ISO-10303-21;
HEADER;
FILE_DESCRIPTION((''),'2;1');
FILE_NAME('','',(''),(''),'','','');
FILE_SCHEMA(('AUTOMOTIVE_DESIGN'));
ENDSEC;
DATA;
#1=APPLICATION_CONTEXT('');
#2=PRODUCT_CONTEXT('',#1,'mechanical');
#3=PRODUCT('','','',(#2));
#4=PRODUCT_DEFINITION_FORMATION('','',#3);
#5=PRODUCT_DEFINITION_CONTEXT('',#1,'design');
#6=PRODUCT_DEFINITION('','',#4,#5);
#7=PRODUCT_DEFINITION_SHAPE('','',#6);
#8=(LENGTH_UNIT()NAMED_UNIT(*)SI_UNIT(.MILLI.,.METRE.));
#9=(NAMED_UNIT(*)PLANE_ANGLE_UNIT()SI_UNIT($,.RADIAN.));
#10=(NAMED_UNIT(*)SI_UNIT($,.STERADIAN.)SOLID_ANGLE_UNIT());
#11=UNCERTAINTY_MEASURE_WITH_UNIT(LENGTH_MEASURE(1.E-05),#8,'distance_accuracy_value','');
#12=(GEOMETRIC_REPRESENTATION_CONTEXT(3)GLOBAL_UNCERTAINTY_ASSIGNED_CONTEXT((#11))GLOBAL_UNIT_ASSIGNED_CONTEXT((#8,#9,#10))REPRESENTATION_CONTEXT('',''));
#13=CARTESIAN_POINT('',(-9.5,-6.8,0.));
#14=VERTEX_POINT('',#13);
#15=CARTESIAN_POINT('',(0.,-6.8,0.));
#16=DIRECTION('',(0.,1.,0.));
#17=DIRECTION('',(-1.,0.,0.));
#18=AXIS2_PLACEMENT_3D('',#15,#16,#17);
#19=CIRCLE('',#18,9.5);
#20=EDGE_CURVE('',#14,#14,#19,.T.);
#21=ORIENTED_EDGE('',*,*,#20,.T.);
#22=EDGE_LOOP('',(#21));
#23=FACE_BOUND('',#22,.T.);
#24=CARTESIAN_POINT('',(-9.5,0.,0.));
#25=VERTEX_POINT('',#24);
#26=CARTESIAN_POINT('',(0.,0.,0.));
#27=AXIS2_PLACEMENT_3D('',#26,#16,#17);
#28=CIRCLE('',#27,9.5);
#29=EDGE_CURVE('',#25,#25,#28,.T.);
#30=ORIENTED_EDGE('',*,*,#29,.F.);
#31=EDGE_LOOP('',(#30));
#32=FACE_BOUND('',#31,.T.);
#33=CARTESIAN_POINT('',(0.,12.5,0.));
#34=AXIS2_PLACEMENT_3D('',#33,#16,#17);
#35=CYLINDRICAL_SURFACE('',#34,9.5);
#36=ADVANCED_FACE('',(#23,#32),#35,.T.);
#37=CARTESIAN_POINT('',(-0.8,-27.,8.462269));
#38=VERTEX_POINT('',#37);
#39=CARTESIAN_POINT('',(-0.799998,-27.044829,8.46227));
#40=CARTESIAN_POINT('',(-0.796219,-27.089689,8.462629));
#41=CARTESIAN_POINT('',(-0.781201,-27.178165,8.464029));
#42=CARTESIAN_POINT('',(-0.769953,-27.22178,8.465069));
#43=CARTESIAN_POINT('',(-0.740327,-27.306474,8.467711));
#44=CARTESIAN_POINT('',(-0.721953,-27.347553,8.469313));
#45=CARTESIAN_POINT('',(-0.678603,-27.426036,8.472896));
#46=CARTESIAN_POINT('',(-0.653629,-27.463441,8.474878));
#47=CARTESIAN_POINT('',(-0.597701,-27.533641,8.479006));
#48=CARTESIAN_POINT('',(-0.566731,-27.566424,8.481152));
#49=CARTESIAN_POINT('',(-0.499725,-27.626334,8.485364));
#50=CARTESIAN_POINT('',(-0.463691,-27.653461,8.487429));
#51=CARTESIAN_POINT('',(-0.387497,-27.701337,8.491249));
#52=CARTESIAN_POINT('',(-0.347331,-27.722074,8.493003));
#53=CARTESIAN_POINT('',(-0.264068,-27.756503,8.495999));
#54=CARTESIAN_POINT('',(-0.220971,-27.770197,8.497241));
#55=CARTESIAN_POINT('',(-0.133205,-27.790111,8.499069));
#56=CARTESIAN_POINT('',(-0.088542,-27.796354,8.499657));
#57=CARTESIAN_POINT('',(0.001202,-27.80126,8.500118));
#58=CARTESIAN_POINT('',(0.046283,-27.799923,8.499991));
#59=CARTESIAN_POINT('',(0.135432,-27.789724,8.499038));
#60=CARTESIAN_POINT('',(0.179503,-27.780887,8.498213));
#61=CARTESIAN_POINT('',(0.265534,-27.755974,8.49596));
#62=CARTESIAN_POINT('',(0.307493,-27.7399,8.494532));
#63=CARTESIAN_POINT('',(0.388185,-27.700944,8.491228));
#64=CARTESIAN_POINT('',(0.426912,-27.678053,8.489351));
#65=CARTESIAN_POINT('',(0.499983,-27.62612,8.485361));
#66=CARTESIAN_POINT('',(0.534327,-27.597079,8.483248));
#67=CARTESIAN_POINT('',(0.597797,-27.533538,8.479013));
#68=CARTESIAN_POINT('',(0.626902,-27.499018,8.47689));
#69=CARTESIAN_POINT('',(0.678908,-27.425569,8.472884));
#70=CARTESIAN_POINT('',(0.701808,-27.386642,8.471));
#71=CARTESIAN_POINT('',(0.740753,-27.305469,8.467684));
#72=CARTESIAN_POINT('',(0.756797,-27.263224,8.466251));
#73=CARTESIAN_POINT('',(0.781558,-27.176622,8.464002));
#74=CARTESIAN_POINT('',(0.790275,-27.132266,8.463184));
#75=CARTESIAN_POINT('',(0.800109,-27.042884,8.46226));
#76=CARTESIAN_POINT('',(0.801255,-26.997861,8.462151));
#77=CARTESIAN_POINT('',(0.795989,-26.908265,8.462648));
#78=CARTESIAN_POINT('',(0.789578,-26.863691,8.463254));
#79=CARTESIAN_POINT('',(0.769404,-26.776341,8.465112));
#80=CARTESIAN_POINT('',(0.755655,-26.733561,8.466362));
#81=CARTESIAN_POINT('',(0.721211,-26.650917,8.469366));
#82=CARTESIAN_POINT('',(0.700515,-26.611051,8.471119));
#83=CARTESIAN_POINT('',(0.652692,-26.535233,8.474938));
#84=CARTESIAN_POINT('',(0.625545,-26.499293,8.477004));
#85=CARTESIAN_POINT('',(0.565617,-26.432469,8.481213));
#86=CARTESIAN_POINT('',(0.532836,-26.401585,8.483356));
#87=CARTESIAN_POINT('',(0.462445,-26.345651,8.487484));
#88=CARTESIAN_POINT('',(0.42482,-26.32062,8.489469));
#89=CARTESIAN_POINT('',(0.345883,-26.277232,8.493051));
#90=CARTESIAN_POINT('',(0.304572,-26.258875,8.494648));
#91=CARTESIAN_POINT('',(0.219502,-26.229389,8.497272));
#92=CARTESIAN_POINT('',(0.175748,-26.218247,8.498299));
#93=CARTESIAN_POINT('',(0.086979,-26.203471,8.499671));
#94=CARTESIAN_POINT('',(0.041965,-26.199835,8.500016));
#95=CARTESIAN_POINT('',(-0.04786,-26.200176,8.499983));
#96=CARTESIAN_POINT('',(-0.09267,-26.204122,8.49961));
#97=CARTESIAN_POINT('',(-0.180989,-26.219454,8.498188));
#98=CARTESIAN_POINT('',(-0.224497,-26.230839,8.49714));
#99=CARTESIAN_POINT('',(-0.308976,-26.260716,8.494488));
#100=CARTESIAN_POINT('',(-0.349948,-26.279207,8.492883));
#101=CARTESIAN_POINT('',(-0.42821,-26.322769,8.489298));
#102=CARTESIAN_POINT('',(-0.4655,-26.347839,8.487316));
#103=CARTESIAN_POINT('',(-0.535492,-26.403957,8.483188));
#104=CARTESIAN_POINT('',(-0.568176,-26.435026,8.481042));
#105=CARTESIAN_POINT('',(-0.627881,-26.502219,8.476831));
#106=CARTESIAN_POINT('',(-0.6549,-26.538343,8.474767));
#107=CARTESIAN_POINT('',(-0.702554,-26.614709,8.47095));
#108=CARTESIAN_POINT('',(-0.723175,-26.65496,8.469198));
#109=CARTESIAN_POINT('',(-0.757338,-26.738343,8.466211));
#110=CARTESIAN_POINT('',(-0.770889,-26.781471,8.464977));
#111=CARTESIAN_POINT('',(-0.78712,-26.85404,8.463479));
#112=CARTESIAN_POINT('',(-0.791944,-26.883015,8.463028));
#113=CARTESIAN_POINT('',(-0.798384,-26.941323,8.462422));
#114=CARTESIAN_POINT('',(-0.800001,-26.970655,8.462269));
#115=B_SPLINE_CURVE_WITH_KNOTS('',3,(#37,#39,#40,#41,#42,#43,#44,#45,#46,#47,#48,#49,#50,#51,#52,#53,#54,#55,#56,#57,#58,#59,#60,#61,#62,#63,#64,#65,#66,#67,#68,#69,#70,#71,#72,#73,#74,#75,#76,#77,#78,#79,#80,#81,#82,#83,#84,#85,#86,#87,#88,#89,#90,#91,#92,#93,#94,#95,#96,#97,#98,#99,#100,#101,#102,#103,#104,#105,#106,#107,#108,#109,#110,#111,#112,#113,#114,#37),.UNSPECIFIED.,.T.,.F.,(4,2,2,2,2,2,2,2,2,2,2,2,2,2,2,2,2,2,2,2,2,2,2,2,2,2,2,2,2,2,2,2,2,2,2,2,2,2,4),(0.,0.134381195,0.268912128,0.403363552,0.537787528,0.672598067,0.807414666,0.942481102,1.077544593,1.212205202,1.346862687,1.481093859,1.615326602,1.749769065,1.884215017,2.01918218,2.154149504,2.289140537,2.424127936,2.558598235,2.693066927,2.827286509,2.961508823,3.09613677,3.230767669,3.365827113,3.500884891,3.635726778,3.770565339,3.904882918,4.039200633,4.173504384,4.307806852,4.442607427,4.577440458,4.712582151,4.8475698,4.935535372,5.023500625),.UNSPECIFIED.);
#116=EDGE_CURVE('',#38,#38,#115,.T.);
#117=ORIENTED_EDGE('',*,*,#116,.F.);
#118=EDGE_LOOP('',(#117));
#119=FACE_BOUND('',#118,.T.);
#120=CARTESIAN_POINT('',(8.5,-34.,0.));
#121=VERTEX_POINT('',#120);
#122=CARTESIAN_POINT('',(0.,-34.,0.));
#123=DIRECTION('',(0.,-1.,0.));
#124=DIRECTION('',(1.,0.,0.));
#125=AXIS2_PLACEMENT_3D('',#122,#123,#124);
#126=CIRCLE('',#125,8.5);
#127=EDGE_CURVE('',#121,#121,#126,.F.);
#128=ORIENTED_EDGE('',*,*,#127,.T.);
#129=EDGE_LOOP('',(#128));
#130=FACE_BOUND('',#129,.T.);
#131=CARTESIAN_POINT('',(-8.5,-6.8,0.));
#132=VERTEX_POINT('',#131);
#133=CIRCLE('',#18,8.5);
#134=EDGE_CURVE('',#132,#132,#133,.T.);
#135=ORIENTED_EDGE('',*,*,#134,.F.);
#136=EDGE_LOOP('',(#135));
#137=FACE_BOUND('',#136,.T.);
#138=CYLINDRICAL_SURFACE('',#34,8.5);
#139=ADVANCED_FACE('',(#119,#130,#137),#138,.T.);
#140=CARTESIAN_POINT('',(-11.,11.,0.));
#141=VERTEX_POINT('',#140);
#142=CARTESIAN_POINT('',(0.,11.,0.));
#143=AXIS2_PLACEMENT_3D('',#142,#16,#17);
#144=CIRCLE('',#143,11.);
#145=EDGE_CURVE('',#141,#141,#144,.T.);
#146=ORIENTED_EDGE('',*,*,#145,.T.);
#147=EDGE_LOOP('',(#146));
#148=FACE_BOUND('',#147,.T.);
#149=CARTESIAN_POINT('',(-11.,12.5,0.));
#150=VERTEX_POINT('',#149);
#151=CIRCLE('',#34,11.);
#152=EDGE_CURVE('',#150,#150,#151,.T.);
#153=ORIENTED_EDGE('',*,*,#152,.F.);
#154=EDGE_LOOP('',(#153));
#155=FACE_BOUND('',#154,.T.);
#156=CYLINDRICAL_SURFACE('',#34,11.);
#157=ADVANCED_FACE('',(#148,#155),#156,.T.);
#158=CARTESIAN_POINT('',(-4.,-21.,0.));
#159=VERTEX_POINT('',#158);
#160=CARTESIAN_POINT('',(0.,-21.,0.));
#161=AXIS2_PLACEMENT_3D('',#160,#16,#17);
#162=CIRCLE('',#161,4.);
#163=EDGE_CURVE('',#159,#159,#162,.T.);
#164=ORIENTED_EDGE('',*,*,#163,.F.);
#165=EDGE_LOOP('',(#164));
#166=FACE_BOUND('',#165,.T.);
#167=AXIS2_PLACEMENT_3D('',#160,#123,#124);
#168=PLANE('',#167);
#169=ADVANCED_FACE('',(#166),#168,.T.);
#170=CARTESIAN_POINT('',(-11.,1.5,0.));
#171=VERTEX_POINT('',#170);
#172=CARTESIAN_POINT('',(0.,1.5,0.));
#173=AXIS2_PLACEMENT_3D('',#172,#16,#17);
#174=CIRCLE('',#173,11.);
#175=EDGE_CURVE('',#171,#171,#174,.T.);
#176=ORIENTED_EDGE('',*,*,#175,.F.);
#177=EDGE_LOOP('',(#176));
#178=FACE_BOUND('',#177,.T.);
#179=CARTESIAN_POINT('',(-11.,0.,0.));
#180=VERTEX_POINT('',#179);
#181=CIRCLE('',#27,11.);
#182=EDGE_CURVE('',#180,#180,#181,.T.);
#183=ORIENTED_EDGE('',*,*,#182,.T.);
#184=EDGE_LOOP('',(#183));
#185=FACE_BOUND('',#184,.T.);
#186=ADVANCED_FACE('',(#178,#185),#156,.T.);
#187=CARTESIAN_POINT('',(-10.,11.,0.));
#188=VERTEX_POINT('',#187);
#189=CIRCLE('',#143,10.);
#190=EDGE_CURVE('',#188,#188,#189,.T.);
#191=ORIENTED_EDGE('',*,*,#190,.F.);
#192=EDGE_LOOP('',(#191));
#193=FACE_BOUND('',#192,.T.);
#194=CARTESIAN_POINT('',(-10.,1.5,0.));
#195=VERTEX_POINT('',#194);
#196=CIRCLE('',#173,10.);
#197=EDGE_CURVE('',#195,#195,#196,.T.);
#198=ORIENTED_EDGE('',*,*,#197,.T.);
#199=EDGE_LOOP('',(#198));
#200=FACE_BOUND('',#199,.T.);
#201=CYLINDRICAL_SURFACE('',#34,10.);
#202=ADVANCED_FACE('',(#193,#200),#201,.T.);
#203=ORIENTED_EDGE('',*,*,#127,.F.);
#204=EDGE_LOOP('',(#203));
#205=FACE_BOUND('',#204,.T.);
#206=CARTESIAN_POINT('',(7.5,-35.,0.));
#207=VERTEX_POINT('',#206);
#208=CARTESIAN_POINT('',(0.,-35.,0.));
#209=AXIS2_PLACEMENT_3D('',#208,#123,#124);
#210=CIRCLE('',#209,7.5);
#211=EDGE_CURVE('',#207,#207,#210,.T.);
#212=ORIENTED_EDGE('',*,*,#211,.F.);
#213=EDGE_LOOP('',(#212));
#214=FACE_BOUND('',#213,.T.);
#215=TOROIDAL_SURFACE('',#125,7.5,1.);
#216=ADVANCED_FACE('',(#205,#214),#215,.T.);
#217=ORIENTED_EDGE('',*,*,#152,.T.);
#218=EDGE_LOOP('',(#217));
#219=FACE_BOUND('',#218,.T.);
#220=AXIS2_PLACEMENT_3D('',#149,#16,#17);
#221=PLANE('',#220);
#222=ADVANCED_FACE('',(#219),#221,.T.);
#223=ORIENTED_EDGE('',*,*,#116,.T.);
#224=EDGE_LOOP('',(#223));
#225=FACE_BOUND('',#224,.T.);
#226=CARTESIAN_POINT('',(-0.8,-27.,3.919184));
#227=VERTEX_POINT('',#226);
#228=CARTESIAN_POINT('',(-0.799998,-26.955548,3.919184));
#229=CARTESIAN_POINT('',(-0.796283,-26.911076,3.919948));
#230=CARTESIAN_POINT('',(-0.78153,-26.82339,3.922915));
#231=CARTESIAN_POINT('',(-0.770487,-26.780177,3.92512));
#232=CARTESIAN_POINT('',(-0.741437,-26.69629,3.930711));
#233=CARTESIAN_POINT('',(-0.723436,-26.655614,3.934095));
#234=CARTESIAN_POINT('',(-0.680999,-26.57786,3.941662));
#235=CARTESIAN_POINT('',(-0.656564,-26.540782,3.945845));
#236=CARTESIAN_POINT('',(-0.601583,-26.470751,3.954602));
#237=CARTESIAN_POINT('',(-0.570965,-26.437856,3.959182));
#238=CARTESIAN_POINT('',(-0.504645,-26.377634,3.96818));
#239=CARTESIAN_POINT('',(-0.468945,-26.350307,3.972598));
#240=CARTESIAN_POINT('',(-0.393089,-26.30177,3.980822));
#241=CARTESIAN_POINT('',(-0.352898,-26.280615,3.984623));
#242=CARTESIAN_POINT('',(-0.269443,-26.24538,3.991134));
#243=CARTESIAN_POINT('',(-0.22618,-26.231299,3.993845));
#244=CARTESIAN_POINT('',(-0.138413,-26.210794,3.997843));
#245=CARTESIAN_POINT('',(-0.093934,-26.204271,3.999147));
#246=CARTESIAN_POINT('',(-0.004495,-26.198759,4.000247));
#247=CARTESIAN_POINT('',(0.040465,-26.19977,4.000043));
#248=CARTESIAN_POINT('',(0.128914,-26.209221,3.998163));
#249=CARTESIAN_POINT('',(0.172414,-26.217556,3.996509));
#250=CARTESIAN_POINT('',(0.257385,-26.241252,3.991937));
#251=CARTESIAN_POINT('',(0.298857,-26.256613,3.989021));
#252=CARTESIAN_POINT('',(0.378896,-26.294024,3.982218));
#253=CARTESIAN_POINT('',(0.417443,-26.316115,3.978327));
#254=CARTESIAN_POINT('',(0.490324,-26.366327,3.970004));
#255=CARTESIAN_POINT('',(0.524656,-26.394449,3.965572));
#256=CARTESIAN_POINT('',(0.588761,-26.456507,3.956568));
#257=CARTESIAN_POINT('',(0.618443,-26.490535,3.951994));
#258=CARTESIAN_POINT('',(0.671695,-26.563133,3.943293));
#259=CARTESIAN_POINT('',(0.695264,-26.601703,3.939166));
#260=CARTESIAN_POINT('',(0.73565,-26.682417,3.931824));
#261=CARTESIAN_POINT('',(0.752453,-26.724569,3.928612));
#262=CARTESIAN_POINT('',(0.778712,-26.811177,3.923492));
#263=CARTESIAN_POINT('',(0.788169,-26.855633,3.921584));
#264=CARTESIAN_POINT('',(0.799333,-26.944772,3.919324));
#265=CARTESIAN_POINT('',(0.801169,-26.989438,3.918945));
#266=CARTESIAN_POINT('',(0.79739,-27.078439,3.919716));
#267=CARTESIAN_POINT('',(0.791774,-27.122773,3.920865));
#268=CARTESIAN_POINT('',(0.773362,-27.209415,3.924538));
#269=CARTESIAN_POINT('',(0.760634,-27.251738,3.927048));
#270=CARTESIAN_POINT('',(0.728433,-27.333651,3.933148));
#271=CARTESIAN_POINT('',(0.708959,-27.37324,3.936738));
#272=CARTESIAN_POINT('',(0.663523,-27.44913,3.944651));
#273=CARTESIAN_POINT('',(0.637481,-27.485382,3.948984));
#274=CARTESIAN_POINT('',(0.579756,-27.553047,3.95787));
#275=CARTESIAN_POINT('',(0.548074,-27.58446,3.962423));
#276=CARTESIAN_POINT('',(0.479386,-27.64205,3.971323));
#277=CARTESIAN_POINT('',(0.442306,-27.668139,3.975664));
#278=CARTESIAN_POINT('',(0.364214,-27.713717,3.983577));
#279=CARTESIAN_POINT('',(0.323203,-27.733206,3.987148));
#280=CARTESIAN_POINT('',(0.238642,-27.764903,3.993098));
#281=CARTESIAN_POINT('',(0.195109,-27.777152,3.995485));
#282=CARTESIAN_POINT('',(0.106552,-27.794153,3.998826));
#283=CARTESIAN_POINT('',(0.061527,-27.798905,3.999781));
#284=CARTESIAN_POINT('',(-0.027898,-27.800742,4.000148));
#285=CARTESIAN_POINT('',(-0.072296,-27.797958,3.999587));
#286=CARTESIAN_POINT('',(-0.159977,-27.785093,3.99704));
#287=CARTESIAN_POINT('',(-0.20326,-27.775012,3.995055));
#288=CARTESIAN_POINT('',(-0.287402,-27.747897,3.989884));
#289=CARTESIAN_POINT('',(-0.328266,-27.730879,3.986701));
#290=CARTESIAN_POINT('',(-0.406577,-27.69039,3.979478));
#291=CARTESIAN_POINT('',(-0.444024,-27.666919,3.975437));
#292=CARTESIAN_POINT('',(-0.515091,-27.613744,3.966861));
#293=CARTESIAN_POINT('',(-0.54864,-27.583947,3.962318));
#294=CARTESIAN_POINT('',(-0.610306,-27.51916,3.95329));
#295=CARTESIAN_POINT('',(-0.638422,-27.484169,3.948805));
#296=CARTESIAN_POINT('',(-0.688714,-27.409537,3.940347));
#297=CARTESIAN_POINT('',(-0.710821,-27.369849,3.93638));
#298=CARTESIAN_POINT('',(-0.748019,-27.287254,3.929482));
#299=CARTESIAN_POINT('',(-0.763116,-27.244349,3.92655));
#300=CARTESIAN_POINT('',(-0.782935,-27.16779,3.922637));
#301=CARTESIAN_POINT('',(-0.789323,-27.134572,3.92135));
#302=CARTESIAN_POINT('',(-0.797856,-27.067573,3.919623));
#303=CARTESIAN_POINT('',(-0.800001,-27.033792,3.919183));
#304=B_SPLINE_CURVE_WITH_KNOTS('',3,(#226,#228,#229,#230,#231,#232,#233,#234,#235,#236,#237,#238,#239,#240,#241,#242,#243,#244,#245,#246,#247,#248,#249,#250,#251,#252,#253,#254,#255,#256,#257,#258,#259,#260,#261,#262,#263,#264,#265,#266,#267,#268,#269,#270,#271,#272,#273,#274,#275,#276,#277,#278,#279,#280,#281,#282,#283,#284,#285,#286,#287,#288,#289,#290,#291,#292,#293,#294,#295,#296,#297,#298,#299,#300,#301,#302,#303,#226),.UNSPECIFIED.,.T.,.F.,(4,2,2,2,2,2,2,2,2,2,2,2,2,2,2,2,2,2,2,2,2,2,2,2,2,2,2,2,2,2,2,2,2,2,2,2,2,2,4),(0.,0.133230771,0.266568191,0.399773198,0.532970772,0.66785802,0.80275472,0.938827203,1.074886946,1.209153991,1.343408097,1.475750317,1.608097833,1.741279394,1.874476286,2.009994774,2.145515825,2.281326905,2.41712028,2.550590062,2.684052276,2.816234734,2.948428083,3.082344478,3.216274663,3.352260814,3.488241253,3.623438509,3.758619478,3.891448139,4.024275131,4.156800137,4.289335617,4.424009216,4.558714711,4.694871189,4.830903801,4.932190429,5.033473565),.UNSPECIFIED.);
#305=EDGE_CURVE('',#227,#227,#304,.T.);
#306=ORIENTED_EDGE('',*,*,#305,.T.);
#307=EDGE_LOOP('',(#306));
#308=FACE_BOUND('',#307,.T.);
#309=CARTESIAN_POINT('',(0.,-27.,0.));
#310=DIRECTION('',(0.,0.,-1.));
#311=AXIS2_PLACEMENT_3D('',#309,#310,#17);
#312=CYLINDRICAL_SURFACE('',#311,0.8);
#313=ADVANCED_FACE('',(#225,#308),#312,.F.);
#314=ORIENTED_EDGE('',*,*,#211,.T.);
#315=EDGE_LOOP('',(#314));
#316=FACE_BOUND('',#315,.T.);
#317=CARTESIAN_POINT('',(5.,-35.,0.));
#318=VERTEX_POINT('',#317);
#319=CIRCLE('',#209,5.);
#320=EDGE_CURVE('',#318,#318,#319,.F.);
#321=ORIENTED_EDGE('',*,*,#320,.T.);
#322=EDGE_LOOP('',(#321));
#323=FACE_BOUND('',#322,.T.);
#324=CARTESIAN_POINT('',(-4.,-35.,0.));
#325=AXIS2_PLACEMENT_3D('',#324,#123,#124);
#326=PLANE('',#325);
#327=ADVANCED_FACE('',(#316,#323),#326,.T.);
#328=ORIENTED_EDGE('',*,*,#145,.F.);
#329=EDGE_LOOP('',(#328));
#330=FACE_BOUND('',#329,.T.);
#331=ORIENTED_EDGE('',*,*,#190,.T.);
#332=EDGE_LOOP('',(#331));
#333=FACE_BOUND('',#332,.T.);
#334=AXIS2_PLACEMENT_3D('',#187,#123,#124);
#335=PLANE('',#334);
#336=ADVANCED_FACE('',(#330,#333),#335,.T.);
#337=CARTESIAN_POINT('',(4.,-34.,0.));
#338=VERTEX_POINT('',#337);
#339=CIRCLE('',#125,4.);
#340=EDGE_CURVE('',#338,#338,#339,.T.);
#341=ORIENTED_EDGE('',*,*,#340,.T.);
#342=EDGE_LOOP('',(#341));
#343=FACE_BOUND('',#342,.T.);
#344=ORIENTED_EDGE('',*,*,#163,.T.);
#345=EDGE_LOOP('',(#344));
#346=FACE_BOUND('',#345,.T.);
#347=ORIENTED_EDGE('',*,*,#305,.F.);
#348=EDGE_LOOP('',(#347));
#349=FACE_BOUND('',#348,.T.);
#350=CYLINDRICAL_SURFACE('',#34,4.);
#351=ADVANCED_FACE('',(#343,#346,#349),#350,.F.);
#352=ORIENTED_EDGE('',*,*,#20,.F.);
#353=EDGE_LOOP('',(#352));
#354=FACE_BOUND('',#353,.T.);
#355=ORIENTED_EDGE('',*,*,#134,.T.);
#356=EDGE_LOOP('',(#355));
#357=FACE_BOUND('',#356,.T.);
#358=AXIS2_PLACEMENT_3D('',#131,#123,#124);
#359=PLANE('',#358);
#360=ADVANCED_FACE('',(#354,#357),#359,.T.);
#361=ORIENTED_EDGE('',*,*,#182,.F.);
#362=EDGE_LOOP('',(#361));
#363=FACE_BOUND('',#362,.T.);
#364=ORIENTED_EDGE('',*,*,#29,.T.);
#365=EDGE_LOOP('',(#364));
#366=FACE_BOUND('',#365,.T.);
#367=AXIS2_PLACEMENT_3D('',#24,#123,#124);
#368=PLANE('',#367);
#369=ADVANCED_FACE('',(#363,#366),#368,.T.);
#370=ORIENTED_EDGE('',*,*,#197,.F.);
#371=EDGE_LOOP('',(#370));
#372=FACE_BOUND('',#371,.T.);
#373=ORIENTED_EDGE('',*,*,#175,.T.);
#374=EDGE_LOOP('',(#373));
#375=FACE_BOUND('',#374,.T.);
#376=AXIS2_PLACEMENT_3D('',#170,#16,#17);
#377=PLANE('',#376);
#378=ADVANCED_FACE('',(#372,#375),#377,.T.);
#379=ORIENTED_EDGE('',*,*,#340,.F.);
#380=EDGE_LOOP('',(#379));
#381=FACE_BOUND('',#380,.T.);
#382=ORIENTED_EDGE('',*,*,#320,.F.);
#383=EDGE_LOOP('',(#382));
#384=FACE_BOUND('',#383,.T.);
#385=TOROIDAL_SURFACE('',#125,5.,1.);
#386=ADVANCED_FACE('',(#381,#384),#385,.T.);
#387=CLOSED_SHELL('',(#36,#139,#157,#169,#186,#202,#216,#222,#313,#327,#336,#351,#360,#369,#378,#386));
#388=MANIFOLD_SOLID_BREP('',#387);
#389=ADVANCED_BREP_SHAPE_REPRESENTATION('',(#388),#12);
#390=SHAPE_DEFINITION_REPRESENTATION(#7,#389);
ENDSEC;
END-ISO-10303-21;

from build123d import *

# Parameters (mm, degrees)
FILLET1_R = 1
SKETCH3_W = 0.8
SKETCH3_H = 8.5


with BuildPart() as part:
    # Sketch1 → Revolve1 (revolve)
    with BuildSketch(Plane.XY):
        Polygon((-8.5, -35), (-8.5, -6.8), (-9.5, -6.8), (-9.5, 0), (-11, 0), (-11, 1.5), (-10, 1.5), (-10, 11), (-11, 11), (-11, 12.5), (0, 12.5), (0, -21), (-4, -21), (-4, -35), align=None)
    revolve(axis=Axis((0, 12.5, 0), (0, -1, 0)))

    # Fillet1
    fillet1_edges = [part.edges().sort_by_distance(p)[0] for p in [
        (8.5, -35, 0),
        (4, -35, 0),
    ]]
    fillet(fillet1_edges, radius=FILLET1_R)

    # Sketch3 → M2x0.4 Tapped Hole1 (revolve, cut)
    with BuildSketch(Plane(origin=(0, -27, 0), x_dir=(0, 1, 0), z_dir=(1, 0, 0))):
        with Locations((0.4, 4.25)):
            Rectangle(SKETCH3_W, SKETCH3_H)
    revolve(axis=Axis((0, -27, -6.35), (0, 0, 1)), mode=Mode.SUBTRACT)


solid = part.part
